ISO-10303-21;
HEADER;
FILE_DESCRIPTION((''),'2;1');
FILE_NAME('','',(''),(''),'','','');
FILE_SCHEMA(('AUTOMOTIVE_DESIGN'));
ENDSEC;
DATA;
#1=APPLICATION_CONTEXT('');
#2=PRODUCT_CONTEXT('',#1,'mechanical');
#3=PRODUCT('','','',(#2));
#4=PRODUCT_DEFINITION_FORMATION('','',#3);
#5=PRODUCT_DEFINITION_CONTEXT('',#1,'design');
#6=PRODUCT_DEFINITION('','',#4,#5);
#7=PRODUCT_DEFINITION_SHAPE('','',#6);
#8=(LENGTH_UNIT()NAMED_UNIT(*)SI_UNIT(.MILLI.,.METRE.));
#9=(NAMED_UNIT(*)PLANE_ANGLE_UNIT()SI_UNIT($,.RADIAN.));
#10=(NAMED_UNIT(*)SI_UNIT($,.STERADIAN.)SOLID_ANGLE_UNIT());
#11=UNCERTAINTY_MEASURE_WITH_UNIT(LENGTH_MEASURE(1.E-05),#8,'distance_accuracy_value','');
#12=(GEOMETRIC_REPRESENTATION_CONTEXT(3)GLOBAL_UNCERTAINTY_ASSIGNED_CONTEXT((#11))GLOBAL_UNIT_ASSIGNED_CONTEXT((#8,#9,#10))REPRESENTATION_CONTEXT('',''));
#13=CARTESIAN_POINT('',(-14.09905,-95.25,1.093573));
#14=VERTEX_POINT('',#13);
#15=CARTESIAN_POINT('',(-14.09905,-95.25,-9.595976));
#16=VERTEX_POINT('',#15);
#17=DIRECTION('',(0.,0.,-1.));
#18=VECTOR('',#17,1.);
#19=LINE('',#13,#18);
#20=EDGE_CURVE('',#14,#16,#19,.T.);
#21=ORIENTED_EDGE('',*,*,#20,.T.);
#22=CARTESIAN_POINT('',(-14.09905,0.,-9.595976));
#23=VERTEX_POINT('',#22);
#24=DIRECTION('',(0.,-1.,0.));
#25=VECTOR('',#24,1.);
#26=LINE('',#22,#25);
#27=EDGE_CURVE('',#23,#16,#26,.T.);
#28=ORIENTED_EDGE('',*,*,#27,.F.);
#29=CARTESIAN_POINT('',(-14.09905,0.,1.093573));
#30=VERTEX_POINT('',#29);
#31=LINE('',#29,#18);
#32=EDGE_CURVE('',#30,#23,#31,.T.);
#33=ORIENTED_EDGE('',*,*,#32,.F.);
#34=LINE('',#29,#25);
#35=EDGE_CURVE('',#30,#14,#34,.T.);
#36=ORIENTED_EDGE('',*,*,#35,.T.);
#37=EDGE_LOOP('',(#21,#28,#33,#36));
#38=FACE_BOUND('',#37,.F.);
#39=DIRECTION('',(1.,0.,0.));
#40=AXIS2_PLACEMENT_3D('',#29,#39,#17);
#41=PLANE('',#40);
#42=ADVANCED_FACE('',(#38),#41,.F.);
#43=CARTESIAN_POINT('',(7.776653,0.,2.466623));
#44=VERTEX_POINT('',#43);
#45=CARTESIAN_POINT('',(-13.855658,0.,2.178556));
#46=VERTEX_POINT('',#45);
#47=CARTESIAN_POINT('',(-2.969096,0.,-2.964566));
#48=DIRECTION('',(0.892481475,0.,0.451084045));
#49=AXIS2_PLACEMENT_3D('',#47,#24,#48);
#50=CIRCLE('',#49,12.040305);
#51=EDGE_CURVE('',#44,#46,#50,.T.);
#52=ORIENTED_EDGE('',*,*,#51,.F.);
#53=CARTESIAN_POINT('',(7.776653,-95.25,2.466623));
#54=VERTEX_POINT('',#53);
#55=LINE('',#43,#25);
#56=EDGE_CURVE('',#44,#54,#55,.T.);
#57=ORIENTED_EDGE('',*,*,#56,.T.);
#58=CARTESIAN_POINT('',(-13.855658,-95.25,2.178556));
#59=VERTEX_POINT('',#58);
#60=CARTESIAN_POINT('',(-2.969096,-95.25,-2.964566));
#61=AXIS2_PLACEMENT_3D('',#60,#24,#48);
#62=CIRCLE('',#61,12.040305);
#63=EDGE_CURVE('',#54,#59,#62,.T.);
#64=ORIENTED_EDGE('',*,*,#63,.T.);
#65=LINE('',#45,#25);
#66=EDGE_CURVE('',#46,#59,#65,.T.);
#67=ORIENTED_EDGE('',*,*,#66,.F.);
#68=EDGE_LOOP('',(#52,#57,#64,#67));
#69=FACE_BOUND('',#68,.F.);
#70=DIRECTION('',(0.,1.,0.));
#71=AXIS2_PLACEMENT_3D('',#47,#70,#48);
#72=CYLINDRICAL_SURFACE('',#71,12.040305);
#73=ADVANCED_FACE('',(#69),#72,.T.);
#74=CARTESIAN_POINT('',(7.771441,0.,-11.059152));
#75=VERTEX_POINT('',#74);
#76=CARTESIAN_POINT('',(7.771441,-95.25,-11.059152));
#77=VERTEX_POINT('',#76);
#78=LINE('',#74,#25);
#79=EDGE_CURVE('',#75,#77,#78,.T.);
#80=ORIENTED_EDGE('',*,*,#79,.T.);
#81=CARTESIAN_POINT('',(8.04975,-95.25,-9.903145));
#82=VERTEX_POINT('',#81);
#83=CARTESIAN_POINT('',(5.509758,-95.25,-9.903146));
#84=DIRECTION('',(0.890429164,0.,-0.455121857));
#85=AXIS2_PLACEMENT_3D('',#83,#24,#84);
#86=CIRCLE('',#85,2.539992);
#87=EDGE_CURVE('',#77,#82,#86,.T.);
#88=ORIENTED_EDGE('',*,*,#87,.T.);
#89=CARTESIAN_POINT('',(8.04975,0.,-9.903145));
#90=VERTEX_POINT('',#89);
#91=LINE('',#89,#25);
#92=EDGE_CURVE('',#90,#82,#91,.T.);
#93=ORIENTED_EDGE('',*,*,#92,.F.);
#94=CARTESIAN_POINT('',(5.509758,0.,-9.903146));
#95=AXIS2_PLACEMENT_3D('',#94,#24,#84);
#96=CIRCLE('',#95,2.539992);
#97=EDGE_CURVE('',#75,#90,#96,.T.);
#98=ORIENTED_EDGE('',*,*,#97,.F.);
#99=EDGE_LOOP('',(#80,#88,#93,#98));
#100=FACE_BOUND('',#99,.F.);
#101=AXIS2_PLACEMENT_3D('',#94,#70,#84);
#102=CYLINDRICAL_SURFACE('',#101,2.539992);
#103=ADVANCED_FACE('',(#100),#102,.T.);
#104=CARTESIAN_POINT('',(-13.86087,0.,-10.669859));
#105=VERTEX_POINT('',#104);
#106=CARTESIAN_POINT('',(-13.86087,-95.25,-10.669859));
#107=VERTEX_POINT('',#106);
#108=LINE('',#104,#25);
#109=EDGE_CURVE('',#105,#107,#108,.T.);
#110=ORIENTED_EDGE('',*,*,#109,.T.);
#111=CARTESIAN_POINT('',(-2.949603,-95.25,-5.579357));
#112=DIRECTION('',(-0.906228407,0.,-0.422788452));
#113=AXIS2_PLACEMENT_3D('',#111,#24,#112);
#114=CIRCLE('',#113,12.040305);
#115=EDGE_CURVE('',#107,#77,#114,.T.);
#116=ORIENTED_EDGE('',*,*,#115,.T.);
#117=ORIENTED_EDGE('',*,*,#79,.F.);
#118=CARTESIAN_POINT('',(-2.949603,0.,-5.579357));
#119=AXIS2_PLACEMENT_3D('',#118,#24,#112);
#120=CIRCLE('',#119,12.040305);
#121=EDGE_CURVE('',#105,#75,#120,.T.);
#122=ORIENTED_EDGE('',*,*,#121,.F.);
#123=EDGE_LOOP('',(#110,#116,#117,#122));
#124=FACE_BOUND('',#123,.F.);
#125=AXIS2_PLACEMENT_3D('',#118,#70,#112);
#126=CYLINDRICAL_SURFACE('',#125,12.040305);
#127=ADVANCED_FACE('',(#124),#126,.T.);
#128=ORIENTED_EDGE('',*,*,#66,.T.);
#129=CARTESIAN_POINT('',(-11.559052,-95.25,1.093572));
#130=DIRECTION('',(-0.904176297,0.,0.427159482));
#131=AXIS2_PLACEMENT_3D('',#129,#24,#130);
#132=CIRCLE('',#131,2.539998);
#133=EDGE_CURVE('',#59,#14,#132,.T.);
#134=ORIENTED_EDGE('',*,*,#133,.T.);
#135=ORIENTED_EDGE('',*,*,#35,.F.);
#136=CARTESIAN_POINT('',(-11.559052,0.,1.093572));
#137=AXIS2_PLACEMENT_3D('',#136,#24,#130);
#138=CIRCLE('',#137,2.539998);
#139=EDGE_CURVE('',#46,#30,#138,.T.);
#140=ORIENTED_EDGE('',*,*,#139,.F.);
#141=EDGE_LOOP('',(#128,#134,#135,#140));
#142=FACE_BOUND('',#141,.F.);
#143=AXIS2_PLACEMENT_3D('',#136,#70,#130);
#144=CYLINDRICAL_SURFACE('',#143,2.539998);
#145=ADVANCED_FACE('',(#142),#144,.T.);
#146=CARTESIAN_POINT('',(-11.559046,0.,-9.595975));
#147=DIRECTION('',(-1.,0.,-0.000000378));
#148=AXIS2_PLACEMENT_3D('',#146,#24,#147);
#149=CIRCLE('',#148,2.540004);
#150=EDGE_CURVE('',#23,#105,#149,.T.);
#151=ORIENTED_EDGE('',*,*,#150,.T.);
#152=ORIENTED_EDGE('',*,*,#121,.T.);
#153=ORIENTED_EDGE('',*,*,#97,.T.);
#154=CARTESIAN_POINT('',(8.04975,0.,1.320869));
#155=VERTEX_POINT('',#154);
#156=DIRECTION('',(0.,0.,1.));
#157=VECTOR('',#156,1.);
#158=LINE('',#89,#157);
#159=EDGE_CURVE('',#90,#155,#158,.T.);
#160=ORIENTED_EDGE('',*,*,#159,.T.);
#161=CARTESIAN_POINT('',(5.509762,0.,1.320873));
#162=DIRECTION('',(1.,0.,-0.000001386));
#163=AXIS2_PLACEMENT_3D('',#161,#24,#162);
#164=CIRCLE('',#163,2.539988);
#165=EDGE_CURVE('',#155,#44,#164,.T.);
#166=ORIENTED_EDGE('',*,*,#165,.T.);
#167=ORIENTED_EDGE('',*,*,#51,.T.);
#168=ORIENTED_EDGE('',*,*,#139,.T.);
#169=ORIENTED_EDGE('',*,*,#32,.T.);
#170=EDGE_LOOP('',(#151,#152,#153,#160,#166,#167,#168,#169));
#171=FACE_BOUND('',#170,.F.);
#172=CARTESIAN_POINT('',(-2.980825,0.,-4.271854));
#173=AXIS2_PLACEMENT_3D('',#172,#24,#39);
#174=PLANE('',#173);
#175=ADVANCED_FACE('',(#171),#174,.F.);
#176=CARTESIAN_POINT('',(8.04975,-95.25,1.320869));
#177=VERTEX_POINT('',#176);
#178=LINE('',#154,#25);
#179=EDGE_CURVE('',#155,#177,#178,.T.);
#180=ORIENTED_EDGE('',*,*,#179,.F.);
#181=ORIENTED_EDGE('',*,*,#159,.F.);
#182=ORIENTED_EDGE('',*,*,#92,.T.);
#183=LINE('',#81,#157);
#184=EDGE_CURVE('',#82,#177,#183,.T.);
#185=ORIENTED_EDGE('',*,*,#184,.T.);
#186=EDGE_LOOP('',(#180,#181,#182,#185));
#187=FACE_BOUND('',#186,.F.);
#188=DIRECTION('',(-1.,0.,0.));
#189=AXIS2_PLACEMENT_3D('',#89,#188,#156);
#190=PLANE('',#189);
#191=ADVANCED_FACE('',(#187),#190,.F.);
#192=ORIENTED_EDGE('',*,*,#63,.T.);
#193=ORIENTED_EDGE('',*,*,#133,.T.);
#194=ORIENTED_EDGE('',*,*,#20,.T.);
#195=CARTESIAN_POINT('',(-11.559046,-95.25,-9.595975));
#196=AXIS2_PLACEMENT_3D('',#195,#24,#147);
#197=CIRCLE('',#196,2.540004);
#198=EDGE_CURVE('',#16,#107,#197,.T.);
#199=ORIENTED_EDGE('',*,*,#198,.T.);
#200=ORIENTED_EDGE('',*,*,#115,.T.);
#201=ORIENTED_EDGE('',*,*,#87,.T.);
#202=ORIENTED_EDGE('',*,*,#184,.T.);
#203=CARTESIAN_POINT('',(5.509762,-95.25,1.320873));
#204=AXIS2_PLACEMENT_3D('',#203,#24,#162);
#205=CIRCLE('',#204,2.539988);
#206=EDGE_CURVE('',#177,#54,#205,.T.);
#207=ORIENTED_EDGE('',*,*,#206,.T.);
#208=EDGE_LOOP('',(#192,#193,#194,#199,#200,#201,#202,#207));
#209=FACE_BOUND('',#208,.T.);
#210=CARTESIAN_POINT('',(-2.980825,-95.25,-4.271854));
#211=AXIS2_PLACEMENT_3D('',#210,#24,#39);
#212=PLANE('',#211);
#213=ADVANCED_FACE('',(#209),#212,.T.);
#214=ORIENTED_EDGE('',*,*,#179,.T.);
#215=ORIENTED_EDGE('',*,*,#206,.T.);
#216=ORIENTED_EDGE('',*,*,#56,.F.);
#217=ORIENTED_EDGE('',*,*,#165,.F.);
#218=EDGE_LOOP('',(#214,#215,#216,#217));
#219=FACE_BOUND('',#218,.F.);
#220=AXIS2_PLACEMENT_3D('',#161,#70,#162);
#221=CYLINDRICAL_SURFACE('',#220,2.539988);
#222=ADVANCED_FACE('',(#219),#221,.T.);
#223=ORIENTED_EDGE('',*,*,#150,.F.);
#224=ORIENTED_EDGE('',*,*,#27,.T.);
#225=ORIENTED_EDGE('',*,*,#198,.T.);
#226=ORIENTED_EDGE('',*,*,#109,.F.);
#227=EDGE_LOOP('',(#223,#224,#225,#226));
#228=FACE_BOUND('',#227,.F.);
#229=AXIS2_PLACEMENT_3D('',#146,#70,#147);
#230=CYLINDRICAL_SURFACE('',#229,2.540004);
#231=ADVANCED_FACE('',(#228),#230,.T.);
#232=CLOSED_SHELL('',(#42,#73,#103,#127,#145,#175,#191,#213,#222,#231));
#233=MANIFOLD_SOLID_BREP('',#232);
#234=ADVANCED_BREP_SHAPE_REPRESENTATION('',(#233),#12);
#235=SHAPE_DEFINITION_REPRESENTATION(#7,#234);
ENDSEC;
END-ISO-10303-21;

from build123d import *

# Parameters (mm, degrees)
F1_DEPTH = 95.25


with BuildPart() as f1:
    # F0 (on Front) → F1 (new body)
    with BuildSketch(Plane.XZ):
        with BuildLine():
            ThreePointArc((-13.855658, 2.178556), (-14.037455, 1.649547), (-14.09905, 1.093573))
            Line((-14.09905, 1.093573), (-14.09905, -9.595976))
            ThreePointArc((-14.09905, -9.595976), (-14.03879, -10.145966), (-13.86087, -10.669859))
            ThreePointArc((-13.86087, -10.669859), (-3.166244, -17.617713), (7.771441, -11.059152))
            ThreePointArc((7.771441, -11.059152), (7.979193, -10.497663), (8.04975, -9.903145))
            Line((8.04975, -9.903145), (8.04975, 1.320869))
            ThreePointArc((8.04975, 1.320869), (7.980533, 1.909795), (7.776653, 2.466623))
            ThreePointArc((7.776653, 2.466623), (-3.129417, 9.074671), (-13.855658, 2.178556))
        make_face()
    extrude(amount=F1_DEPTH)


solid = f1.part
